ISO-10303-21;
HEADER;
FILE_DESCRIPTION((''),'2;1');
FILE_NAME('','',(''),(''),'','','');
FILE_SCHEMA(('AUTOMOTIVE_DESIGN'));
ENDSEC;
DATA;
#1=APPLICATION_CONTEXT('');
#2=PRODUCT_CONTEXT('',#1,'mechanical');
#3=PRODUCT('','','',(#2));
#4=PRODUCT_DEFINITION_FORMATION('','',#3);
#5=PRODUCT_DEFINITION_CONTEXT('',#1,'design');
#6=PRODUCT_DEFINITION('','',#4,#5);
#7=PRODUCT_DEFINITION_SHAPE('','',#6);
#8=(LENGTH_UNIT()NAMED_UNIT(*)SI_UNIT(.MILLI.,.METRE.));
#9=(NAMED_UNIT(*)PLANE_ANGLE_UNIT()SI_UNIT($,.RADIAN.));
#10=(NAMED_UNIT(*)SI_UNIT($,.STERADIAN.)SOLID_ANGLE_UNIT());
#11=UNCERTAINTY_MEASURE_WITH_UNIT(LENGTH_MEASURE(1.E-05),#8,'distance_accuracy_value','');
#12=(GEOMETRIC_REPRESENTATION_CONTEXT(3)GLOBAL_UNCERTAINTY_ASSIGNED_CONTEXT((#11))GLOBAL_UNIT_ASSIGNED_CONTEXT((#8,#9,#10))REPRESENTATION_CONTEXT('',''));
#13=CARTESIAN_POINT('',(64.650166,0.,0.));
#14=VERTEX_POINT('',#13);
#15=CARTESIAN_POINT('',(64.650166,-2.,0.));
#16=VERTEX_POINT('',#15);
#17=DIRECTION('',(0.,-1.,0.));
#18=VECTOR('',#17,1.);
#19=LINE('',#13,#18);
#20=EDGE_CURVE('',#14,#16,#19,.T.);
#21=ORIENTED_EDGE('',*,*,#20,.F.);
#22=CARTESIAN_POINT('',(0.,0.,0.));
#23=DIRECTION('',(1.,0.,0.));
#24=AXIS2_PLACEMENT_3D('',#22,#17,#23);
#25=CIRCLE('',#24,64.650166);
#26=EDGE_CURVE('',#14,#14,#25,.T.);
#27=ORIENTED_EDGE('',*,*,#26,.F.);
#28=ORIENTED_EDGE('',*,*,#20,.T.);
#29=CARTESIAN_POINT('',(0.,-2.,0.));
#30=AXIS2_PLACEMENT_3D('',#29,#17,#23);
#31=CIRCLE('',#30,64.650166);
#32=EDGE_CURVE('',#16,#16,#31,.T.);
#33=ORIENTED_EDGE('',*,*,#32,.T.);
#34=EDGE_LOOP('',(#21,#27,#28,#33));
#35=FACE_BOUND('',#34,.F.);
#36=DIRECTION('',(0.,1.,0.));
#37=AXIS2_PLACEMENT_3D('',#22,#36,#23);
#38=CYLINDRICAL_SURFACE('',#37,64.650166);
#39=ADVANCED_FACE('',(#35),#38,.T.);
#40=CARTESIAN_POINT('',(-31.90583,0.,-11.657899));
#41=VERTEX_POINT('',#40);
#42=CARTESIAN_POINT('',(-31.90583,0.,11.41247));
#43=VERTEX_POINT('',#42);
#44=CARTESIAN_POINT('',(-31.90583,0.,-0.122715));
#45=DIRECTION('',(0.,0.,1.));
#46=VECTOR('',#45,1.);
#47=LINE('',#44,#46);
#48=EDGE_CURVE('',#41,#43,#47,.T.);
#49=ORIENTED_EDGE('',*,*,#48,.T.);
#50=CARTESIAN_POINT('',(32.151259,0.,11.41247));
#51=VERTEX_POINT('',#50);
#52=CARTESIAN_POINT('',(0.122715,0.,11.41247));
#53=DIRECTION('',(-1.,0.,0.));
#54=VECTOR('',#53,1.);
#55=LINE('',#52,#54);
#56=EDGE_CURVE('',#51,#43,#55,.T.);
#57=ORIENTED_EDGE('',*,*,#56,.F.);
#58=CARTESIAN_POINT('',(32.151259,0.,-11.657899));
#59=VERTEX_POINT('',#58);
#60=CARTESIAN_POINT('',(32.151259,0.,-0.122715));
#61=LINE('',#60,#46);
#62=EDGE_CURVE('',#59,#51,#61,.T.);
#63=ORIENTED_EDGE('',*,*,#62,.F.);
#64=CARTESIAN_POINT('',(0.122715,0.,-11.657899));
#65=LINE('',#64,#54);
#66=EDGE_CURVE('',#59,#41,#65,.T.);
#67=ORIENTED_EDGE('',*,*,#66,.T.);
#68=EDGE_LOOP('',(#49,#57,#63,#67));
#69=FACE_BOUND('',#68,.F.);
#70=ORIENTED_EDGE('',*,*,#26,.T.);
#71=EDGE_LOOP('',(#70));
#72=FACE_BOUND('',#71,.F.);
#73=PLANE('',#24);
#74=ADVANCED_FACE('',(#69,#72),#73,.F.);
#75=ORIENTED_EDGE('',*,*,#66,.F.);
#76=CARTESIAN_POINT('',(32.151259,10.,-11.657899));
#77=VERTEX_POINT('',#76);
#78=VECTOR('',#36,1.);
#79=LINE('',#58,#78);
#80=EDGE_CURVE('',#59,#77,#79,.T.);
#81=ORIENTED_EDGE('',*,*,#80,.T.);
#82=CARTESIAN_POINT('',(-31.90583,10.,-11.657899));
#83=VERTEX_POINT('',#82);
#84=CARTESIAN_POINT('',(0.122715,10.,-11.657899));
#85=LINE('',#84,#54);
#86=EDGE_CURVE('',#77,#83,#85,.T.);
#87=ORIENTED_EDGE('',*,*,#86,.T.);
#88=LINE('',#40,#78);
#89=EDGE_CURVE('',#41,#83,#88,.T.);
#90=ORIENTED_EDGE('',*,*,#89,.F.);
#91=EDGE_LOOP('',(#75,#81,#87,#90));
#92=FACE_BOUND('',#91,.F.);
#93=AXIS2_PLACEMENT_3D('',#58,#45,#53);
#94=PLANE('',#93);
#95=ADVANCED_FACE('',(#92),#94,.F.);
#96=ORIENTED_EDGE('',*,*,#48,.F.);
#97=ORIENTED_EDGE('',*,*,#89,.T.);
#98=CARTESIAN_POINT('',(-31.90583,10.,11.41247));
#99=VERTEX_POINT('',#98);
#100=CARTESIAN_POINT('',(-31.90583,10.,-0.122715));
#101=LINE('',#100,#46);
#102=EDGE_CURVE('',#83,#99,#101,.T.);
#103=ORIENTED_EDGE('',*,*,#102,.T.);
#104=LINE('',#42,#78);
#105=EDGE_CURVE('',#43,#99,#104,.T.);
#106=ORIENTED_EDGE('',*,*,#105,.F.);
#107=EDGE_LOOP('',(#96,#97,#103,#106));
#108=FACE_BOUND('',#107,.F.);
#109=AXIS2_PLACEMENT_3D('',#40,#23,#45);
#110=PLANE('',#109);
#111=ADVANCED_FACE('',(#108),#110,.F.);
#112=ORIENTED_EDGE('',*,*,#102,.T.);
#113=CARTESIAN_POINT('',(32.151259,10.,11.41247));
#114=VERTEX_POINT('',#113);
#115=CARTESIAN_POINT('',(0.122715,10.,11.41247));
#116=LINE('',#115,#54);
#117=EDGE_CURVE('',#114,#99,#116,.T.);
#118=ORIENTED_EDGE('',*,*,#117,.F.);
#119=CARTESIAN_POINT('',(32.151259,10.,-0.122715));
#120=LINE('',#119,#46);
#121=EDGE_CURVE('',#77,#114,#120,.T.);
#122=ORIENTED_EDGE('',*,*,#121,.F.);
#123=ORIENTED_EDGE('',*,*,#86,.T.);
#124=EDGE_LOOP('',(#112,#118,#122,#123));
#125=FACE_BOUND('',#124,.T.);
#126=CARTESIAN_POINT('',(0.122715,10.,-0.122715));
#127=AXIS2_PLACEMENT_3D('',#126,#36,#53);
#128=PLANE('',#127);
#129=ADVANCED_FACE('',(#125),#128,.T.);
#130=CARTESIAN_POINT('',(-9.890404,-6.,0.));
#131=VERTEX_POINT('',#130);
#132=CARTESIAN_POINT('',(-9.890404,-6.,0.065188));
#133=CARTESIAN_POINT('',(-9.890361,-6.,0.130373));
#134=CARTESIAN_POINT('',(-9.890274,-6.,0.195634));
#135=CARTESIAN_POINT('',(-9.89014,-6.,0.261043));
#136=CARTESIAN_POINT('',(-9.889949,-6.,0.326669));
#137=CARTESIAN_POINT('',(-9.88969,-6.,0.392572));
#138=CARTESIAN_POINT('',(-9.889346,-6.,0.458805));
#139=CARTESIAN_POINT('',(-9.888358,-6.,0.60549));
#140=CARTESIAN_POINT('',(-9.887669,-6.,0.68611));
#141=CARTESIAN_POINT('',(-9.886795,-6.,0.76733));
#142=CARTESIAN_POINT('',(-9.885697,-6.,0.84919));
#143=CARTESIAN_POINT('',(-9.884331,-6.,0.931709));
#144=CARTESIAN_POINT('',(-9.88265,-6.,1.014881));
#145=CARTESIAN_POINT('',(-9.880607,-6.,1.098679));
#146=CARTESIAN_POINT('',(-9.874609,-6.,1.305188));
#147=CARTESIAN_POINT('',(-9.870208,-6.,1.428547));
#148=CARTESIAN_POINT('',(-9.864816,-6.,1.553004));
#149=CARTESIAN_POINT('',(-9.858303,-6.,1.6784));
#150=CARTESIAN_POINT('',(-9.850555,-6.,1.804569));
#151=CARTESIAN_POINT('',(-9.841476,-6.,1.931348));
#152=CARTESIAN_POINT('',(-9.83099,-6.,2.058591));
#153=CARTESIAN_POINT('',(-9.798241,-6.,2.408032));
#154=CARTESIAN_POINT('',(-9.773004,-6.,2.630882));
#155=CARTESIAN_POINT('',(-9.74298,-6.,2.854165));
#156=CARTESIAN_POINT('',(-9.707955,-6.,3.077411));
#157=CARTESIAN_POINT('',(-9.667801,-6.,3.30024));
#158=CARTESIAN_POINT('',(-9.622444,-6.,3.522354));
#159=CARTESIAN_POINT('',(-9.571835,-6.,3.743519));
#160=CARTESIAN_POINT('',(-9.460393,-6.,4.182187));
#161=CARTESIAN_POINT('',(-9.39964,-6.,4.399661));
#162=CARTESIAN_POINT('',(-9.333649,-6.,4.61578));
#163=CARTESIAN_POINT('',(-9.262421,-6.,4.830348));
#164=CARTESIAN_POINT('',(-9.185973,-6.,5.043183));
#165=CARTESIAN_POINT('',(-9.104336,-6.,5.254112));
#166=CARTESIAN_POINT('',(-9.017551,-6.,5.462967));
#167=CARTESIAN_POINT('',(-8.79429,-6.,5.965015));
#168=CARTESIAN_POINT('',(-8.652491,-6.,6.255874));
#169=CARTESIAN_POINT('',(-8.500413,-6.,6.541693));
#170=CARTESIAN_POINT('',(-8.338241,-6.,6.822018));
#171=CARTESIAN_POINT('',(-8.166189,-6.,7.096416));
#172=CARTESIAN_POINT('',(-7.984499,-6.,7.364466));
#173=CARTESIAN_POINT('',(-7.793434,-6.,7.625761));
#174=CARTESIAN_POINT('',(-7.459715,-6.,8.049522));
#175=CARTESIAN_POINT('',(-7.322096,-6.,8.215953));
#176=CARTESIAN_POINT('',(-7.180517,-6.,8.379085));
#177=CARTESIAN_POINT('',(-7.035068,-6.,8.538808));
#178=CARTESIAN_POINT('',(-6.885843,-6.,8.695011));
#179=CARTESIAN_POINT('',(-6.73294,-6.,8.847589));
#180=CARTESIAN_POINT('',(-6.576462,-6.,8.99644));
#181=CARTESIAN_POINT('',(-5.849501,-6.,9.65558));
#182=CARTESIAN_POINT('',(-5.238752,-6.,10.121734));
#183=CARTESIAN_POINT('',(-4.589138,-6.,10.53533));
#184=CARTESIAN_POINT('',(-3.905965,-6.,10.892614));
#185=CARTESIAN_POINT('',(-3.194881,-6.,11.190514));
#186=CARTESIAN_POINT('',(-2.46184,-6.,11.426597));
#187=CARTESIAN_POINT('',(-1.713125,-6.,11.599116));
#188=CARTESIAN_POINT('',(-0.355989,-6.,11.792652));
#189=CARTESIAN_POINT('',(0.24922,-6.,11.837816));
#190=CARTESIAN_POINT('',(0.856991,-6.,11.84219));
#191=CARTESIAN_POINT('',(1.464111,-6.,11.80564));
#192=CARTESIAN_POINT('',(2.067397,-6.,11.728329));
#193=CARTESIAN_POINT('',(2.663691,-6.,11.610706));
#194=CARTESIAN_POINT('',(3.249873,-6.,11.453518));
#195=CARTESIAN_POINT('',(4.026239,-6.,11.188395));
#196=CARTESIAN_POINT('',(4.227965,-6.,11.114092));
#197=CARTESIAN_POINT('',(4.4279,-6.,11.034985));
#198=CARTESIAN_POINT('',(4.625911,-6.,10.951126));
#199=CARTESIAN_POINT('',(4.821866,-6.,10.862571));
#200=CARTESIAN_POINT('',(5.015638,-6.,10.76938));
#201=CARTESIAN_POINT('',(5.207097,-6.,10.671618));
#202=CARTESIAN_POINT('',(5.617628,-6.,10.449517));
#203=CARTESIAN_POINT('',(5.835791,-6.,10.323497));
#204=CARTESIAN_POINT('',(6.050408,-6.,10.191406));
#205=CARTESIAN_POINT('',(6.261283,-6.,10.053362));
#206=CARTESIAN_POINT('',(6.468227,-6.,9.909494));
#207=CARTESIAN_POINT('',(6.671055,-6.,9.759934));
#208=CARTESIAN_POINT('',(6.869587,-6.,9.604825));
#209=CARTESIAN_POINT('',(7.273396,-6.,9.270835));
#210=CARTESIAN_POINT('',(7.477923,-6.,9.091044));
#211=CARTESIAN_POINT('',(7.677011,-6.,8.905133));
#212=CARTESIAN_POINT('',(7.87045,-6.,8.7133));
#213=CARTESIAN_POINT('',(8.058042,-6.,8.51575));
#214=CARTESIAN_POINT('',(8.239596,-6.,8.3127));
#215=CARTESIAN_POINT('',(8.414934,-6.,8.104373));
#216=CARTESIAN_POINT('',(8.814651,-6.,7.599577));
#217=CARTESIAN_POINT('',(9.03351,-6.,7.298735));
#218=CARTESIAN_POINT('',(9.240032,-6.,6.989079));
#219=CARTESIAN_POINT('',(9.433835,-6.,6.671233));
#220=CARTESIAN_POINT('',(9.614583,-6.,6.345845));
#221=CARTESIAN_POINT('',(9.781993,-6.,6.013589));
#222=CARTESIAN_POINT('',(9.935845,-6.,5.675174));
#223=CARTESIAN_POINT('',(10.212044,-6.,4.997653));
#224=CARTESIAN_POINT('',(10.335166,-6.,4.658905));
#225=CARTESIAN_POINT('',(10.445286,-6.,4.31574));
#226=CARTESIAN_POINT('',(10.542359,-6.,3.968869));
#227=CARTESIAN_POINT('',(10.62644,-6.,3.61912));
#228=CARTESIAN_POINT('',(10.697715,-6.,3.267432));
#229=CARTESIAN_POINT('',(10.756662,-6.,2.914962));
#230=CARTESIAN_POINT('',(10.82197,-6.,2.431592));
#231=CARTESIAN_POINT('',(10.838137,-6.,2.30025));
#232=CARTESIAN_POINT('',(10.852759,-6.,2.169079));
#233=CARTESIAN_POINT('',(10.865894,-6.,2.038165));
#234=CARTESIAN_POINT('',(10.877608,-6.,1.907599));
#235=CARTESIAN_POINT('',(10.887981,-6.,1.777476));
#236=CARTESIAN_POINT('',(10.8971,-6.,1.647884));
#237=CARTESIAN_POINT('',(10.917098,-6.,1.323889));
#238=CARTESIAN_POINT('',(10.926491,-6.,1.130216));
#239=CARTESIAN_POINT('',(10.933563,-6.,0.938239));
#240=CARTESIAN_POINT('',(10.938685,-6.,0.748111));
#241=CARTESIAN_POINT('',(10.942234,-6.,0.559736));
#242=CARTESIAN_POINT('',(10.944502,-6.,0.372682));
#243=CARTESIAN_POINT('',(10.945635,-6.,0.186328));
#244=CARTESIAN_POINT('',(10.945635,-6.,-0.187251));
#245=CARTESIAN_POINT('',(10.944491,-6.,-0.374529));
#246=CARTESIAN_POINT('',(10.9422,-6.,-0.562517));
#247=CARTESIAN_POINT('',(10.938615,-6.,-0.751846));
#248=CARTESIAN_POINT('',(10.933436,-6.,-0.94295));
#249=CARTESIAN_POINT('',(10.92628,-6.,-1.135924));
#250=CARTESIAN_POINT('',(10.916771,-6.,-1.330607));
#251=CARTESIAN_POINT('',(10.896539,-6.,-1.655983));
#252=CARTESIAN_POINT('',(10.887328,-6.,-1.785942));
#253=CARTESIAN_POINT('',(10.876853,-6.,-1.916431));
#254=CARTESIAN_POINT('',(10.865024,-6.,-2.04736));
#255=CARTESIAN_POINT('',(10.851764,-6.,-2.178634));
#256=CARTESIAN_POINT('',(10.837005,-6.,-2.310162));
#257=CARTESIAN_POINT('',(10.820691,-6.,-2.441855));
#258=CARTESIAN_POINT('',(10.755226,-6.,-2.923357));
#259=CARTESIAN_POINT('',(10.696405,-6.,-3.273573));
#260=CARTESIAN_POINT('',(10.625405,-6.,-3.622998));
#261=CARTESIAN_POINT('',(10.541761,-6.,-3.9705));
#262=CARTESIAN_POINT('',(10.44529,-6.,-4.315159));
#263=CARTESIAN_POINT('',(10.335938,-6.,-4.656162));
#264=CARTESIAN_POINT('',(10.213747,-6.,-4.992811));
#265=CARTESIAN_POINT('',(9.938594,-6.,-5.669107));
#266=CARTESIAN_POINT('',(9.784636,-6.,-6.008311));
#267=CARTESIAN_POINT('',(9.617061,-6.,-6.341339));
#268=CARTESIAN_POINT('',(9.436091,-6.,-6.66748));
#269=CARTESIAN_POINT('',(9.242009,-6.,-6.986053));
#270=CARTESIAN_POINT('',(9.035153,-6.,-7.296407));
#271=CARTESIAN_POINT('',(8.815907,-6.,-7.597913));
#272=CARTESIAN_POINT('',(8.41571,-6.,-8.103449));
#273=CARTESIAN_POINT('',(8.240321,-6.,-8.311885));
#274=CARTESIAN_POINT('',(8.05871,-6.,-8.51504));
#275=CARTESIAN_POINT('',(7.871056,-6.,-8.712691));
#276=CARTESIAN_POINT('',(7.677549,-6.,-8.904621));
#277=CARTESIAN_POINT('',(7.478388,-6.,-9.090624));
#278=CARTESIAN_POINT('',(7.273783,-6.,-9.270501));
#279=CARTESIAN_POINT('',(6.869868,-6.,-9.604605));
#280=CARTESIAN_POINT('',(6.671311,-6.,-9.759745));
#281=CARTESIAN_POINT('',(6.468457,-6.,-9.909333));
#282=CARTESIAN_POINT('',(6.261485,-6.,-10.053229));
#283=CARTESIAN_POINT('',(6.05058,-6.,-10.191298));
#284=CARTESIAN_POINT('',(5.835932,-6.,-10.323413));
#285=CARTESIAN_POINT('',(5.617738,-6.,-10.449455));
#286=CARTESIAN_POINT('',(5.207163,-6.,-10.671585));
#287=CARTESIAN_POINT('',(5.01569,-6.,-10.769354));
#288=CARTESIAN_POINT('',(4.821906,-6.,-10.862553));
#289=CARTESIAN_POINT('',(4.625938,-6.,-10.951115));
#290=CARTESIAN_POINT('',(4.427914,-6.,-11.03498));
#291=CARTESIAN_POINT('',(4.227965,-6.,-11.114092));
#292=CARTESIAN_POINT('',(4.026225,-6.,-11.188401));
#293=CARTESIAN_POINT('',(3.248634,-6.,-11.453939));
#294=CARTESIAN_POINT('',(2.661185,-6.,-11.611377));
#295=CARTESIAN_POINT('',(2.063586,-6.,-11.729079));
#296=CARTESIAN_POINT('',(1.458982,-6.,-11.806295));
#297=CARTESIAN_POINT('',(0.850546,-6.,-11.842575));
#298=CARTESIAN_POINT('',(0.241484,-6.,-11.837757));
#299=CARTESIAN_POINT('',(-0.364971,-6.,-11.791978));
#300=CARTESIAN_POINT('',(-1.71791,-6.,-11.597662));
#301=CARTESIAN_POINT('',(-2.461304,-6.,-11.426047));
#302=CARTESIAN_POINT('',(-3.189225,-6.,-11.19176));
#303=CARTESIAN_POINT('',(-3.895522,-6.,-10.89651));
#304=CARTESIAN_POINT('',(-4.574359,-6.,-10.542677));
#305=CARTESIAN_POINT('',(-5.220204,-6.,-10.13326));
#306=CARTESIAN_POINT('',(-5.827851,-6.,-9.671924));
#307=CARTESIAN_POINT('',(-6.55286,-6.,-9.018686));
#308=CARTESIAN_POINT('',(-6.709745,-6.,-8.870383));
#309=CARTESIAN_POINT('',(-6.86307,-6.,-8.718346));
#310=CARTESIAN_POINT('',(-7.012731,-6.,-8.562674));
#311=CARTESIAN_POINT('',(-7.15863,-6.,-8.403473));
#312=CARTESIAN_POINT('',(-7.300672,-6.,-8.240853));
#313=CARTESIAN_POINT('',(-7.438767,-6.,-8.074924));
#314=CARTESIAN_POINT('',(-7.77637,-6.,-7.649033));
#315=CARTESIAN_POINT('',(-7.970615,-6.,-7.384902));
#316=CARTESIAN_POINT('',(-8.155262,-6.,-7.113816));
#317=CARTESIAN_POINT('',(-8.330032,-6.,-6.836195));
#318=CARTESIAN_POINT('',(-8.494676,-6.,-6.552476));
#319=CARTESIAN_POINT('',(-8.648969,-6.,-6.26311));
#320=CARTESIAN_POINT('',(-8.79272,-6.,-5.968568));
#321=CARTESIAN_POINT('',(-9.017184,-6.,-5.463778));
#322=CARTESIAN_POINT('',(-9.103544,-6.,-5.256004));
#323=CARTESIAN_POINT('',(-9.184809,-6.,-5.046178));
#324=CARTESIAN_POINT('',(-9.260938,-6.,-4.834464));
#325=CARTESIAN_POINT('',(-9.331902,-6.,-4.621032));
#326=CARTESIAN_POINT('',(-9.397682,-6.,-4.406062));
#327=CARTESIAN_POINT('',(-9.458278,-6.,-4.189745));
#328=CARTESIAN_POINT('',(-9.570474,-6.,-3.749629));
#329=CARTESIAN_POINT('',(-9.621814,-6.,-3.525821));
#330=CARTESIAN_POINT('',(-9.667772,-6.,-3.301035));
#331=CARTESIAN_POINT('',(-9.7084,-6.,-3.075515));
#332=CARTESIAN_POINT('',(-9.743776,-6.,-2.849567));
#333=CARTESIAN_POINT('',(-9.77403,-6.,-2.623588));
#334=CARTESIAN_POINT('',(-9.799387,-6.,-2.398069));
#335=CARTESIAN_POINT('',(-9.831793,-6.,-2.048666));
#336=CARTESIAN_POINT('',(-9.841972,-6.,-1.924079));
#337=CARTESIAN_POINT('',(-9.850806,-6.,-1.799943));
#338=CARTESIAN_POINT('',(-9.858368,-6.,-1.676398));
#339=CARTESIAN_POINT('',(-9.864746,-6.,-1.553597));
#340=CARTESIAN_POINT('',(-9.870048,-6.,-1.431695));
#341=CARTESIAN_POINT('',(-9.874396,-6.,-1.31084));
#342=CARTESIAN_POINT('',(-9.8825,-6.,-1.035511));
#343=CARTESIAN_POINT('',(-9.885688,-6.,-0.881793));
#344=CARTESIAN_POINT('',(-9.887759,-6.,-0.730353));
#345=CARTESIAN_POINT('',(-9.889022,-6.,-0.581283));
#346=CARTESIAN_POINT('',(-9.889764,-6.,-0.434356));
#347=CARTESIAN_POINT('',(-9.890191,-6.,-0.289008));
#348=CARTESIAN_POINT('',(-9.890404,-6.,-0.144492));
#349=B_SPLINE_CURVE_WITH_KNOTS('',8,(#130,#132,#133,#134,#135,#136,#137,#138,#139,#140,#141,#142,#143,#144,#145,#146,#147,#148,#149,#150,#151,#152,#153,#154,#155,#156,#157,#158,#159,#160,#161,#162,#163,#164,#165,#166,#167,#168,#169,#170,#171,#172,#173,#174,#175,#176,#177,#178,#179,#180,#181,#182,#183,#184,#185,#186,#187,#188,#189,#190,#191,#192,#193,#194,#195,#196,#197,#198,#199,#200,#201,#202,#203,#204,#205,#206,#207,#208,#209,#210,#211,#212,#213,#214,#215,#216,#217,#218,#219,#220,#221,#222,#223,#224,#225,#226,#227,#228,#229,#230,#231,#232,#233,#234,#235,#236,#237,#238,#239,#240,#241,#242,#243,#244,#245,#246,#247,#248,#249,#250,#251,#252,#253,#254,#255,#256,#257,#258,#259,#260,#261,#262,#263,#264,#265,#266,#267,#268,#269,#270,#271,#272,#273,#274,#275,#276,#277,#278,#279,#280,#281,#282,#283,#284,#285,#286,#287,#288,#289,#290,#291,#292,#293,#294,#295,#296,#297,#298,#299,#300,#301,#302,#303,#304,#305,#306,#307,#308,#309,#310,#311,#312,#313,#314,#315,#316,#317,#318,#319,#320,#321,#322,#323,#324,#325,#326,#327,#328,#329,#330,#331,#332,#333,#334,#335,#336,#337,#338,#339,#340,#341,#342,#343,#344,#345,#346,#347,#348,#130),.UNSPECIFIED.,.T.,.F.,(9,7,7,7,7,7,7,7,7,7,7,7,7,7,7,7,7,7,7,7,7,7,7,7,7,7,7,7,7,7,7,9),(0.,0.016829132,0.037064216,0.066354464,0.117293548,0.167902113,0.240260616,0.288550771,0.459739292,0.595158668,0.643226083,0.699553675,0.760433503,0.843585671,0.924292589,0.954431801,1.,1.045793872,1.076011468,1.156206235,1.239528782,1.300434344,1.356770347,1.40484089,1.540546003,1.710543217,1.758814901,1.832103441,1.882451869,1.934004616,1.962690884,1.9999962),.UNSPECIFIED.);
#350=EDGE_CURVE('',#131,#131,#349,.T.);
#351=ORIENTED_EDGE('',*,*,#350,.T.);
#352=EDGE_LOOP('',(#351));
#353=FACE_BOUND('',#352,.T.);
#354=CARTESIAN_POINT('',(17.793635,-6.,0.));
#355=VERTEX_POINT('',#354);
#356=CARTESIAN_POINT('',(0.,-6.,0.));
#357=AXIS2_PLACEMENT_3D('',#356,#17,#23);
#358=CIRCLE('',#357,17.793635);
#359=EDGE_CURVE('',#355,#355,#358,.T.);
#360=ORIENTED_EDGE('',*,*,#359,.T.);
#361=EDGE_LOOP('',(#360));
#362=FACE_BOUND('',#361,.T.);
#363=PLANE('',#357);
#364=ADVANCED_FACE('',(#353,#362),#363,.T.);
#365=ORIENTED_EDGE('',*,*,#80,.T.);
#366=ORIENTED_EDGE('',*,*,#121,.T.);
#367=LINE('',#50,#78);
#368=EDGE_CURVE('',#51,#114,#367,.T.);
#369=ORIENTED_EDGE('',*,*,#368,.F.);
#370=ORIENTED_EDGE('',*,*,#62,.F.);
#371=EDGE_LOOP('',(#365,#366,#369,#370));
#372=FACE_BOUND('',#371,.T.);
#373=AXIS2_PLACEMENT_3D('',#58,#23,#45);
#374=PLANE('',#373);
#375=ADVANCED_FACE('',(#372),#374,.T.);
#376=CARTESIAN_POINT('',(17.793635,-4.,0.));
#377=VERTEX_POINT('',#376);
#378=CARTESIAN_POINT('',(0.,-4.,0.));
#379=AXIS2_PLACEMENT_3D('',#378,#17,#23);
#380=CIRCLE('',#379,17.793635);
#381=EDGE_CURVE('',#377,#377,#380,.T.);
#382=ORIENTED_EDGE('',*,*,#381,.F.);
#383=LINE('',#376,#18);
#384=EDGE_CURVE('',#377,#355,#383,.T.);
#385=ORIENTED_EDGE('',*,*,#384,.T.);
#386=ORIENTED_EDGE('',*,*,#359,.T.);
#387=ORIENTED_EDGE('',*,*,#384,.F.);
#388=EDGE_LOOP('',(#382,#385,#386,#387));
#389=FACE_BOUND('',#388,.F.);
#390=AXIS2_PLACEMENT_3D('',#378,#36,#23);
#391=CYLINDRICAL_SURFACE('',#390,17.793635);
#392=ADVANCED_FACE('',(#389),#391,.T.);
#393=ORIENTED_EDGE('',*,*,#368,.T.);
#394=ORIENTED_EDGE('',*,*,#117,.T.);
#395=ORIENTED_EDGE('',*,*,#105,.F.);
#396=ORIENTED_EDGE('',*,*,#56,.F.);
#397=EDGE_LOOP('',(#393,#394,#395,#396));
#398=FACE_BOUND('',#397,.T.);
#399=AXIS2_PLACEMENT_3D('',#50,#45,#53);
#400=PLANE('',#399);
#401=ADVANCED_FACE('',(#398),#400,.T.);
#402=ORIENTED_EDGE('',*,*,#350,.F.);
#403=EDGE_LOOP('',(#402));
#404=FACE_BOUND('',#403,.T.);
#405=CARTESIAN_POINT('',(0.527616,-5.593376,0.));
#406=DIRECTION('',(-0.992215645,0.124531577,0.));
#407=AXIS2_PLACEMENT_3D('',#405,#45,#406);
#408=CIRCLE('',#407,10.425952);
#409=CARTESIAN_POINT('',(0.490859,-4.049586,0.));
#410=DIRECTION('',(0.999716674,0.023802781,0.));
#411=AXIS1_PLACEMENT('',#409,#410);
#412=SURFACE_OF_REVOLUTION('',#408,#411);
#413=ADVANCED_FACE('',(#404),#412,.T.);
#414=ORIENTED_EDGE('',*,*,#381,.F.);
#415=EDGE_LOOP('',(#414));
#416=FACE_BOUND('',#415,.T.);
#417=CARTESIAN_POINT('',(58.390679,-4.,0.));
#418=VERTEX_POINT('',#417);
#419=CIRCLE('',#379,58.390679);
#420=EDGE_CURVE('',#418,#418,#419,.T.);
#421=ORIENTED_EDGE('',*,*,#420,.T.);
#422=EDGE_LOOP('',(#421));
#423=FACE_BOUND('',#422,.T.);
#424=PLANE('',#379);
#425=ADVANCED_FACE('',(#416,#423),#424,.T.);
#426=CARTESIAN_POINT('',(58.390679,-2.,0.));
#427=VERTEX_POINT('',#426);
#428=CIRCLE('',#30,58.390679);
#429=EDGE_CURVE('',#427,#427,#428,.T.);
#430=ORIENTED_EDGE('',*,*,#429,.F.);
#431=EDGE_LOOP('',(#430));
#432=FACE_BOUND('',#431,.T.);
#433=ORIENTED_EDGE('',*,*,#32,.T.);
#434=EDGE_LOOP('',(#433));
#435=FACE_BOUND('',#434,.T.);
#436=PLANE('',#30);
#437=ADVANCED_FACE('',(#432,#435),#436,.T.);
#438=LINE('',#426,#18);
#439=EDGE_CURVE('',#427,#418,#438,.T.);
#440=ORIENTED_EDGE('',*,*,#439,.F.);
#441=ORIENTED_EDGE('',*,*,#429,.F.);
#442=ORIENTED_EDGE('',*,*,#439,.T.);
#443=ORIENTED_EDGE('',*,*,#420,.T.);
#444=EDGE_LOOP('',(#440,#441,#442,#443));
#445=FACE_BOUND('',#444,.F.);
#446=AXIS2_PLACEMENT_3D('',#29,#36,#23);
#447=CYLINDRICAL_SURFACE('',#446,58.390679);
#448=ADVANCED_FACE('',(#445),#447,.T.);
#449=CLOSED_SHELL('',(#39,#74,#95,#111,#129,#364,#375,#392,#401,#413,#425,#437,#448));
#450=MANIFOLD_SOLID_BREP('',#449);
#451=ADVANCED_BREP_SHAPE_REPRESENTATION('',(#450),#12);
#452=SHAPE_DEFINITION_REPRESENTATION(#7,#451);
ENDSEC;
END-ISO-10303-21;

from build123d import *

# Parameters (mm, degrees)
F0_R     = 64.6501661092
F1_DEPTH = 2
F2_R     = 58.3906785059
F3_DEPTH = 2
F6_W     = 64.0570893884
F6_H     = 23.0703689158
F7_DEPTH = 10
F8_R     = 17.7936347266
F9_DEPTH = 2


with BuildPart() as f1:
    # F0 (on Front) → F1 (new body)
    with BuildSketch(Plane.XZ):
        Circle(F0_R)
    extrude(amount=F1_DEPTH)

    # F2 (on face) → F3 (join)
    with BuildSketch(Plane.XZ.offset(2)):
        Circle(F2_R)
    extrude(amount=F3_DEPTH)

    # F4 (on Top) → F5 (revolve)
    with BuildSketch(Plane.XY):
        with BuildLine():
            Line((10.7988948002, -3.8041563239), (-9.8171774298, -4.295015242))
            ThreePointArc((-9.8171774298, -4.295015242), (0.7757822444, -16.0163739159), (10.7988948002, -3.8041563239))
        make_face()
    revolve(axis=Axis((0.4908586852, -4.0495857829, 0), (0.9997166737, 0.0238027806, 0)))

    # F6 (on face) → F7 (join)
    with BuildSketch(Plane(origin=(0, 0, 0), x_dir=(-1, 0, 0), z_dir=(0, 1, 0))):
        with Locations((-0.1227147877, -0.1227147877)):
            Rectangle(F6_W, F6_H)
    extrude(amount=F7_DEPTH)

    # F8 (on face) → F9 (join)
    with BuildSketch(Plane.XZ.offset(4)):
        Circle(F8_R)
    extrude(amount=F9_DEPTH)


solid = f1.part
